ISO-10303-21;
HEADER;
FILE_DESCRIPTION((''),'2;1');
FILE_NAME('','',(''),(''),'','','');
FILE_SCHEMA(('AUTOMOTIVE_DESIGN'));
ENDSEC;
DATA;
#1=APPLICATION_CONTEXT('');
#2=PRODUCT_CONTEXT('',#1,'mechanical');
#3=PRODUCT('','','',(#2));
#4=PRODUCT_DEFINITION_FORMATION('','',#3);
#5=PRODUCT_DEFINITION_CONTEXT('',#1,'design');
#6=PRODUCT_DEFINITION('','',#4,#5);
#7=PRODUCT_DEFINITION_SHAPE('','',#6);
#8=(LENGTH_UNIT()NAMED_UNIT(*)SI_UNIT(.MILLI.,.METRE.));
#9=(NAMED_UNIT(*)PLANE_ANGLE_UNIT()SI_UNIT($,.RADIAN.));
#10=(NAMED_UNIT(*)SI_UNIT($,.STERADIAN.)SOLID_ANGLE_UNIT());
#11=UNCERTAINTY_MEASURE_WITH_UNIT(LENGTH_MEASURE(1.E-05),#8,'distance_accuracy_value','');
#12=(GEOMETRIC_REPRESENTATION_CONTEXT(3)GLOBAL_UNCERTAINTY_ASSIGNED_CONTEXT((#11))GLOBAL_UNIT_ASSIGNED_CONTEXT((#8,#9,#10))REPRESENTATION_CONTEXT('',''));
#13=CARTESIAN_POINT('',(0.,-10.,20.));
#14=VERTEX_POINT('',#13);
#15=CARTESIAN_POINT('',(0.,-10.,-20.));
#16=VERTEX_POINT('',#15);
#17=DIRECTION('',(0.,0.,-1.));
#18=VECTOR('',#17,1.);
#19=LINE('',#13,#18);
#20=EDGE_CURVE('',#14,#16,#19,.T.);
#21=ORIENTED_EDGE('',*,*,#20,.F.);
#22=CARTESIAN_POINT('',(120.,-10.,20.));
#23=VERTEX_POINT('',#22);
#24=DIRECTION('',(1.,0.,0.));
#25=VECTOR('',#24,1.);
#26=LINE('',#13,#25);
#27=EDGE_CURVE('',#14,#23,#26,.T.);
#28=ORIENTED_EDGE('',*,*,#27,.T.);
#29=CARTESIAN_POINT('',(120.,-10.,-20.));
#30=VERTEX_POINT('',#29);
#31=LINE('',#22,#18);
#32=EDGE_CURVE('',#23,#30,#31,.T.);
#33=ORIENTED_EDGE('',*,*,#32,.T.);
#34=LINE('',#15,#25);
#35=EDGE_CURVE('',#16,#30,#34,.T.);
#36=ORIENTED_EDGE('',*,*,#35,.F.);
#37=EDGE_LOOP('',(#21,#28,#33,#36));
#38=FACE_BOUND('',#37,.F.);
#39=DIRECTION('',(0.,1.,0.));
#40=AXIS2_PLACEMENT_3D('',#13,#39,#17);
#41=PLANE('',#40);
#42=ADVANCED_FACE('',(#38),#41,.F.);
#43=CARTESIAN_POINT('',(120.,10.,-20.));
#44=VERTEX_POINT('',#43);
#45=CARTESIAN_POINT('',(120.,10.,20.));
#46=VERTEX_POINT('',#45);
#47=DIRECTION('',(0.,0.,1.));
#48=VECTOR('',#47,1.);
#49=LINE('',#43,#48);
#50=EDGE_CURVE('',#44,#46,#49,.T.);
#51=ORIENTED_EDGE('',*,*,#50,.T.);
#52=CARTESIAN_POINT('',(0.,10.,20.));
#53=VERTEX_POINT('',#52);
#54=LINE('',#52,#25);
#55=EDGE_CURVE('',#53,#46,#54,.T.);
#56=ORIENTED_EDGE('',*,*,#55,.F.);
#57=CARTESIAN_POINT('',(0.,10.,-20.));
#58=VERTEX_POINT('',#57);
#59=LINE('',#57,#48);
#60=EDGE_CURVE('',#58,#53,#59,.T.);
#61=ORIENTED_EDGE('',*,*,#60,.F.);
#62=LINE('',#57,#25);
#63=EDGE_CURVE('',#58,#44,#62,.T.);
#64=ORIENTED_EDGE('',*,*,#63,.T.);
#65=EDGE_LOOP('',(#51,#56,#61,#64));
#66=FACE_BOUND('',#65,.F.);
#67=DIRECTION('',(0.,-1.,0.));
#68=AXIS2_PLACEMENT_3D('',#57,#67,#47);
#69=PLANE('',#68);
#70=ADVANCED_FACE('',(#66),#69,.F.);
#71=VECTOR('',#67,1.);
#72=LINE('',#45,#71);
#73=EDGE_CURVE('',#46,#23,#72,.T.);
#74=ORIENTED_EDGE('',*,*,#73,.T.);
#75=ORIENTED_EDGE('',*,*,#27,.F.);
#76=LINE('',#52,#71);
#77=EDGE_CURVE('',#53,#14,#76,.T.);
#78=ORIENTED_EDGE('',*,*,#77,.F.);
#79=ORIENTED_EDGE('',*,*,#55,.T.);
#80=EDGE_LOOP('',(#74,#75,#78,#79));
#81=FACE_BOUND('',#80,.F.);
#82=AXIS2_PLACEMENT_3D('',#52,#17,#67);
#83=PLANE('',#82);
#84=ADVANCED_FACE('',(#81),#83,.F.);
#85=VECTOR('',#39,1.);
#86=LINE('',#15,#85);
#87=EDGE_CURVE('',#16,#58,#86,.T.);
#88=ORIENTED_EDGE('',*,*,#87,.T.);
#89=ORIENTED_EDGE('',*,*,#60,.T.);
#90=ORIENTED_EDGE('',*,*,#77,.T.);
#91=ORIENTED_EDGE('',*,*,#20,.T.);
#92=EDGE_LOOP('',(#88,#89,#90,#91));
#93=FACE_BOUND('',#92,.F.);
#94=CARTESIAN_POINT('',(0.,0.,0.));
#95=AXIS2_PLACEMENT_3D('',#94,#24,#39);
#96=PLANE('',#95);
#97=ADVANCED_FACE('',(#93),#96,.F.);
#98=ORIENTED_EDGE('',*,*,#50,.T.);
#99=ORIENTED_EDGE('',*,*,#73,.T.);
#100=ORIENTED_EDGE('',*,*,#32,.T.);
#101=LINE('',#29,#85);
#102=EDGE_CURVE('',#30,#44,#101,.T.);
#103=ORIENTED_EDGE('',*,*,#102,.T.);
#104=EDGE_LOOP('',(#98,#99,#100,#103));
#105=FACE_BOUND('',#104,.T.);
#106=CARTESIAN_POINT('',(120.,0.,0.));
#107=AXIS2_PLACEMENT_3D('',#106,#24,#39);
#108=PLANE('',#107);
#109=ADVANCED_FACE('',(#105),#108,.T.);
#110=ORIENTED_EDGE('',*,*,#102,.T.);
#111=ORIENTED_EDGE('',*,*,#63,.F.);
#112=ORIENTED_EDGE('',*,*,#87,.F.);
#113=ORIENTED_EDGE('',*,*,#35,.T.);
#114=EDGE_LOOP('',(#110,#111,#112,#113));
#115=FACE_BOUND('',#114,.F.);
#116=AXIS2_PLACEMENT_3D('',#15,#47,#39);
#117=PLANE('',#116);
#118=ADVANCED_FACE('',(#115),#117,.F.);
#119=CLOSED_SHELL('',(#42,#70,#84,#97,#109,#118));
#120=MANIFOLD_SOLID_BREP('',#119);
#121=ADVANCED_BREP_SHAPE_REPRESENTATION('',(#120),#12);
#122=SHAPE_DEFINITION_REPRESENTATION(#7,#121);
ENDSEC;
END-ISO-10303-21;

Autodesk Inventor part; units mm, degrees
ref_plane "YZ Plane" through (0, 0, 0) normal (1, 0, 0) x (0, 1, 0)
ref_plane "XZ Plane" through (0, 0, 0) normal (0, 1, 0) x (-1, 0, 0)
ref_plane "XY Plane" through (0, 0, 0) normal (0, 0, 1) x (1, 0, 0)
sketch "Skizze2" plane through (0, 0, 0) normal (1, 0, 0) x (0, 1, 0)
  line L0 (-10, -20) -> (10, -20)
  line L1 (10, -20) -> (10, 20)
  line L2 (10, 20) -> (-10, 20)
  line L3 (-10, 20) -> (-10, -20)
  line L4 (-10, -20) -> (10, 20) construction
  line L5 (10, -20) -> (-10, 20) construction
  point P0 (0, 0)
  dimension "d4" = 20
  dimension "d5" = 40
extrude "Extrusion2" add sketch "Skizze2" along normal blind 120
properties part number "HFS5-2040-120" material "EN AC-51400-T5 Equiv."
